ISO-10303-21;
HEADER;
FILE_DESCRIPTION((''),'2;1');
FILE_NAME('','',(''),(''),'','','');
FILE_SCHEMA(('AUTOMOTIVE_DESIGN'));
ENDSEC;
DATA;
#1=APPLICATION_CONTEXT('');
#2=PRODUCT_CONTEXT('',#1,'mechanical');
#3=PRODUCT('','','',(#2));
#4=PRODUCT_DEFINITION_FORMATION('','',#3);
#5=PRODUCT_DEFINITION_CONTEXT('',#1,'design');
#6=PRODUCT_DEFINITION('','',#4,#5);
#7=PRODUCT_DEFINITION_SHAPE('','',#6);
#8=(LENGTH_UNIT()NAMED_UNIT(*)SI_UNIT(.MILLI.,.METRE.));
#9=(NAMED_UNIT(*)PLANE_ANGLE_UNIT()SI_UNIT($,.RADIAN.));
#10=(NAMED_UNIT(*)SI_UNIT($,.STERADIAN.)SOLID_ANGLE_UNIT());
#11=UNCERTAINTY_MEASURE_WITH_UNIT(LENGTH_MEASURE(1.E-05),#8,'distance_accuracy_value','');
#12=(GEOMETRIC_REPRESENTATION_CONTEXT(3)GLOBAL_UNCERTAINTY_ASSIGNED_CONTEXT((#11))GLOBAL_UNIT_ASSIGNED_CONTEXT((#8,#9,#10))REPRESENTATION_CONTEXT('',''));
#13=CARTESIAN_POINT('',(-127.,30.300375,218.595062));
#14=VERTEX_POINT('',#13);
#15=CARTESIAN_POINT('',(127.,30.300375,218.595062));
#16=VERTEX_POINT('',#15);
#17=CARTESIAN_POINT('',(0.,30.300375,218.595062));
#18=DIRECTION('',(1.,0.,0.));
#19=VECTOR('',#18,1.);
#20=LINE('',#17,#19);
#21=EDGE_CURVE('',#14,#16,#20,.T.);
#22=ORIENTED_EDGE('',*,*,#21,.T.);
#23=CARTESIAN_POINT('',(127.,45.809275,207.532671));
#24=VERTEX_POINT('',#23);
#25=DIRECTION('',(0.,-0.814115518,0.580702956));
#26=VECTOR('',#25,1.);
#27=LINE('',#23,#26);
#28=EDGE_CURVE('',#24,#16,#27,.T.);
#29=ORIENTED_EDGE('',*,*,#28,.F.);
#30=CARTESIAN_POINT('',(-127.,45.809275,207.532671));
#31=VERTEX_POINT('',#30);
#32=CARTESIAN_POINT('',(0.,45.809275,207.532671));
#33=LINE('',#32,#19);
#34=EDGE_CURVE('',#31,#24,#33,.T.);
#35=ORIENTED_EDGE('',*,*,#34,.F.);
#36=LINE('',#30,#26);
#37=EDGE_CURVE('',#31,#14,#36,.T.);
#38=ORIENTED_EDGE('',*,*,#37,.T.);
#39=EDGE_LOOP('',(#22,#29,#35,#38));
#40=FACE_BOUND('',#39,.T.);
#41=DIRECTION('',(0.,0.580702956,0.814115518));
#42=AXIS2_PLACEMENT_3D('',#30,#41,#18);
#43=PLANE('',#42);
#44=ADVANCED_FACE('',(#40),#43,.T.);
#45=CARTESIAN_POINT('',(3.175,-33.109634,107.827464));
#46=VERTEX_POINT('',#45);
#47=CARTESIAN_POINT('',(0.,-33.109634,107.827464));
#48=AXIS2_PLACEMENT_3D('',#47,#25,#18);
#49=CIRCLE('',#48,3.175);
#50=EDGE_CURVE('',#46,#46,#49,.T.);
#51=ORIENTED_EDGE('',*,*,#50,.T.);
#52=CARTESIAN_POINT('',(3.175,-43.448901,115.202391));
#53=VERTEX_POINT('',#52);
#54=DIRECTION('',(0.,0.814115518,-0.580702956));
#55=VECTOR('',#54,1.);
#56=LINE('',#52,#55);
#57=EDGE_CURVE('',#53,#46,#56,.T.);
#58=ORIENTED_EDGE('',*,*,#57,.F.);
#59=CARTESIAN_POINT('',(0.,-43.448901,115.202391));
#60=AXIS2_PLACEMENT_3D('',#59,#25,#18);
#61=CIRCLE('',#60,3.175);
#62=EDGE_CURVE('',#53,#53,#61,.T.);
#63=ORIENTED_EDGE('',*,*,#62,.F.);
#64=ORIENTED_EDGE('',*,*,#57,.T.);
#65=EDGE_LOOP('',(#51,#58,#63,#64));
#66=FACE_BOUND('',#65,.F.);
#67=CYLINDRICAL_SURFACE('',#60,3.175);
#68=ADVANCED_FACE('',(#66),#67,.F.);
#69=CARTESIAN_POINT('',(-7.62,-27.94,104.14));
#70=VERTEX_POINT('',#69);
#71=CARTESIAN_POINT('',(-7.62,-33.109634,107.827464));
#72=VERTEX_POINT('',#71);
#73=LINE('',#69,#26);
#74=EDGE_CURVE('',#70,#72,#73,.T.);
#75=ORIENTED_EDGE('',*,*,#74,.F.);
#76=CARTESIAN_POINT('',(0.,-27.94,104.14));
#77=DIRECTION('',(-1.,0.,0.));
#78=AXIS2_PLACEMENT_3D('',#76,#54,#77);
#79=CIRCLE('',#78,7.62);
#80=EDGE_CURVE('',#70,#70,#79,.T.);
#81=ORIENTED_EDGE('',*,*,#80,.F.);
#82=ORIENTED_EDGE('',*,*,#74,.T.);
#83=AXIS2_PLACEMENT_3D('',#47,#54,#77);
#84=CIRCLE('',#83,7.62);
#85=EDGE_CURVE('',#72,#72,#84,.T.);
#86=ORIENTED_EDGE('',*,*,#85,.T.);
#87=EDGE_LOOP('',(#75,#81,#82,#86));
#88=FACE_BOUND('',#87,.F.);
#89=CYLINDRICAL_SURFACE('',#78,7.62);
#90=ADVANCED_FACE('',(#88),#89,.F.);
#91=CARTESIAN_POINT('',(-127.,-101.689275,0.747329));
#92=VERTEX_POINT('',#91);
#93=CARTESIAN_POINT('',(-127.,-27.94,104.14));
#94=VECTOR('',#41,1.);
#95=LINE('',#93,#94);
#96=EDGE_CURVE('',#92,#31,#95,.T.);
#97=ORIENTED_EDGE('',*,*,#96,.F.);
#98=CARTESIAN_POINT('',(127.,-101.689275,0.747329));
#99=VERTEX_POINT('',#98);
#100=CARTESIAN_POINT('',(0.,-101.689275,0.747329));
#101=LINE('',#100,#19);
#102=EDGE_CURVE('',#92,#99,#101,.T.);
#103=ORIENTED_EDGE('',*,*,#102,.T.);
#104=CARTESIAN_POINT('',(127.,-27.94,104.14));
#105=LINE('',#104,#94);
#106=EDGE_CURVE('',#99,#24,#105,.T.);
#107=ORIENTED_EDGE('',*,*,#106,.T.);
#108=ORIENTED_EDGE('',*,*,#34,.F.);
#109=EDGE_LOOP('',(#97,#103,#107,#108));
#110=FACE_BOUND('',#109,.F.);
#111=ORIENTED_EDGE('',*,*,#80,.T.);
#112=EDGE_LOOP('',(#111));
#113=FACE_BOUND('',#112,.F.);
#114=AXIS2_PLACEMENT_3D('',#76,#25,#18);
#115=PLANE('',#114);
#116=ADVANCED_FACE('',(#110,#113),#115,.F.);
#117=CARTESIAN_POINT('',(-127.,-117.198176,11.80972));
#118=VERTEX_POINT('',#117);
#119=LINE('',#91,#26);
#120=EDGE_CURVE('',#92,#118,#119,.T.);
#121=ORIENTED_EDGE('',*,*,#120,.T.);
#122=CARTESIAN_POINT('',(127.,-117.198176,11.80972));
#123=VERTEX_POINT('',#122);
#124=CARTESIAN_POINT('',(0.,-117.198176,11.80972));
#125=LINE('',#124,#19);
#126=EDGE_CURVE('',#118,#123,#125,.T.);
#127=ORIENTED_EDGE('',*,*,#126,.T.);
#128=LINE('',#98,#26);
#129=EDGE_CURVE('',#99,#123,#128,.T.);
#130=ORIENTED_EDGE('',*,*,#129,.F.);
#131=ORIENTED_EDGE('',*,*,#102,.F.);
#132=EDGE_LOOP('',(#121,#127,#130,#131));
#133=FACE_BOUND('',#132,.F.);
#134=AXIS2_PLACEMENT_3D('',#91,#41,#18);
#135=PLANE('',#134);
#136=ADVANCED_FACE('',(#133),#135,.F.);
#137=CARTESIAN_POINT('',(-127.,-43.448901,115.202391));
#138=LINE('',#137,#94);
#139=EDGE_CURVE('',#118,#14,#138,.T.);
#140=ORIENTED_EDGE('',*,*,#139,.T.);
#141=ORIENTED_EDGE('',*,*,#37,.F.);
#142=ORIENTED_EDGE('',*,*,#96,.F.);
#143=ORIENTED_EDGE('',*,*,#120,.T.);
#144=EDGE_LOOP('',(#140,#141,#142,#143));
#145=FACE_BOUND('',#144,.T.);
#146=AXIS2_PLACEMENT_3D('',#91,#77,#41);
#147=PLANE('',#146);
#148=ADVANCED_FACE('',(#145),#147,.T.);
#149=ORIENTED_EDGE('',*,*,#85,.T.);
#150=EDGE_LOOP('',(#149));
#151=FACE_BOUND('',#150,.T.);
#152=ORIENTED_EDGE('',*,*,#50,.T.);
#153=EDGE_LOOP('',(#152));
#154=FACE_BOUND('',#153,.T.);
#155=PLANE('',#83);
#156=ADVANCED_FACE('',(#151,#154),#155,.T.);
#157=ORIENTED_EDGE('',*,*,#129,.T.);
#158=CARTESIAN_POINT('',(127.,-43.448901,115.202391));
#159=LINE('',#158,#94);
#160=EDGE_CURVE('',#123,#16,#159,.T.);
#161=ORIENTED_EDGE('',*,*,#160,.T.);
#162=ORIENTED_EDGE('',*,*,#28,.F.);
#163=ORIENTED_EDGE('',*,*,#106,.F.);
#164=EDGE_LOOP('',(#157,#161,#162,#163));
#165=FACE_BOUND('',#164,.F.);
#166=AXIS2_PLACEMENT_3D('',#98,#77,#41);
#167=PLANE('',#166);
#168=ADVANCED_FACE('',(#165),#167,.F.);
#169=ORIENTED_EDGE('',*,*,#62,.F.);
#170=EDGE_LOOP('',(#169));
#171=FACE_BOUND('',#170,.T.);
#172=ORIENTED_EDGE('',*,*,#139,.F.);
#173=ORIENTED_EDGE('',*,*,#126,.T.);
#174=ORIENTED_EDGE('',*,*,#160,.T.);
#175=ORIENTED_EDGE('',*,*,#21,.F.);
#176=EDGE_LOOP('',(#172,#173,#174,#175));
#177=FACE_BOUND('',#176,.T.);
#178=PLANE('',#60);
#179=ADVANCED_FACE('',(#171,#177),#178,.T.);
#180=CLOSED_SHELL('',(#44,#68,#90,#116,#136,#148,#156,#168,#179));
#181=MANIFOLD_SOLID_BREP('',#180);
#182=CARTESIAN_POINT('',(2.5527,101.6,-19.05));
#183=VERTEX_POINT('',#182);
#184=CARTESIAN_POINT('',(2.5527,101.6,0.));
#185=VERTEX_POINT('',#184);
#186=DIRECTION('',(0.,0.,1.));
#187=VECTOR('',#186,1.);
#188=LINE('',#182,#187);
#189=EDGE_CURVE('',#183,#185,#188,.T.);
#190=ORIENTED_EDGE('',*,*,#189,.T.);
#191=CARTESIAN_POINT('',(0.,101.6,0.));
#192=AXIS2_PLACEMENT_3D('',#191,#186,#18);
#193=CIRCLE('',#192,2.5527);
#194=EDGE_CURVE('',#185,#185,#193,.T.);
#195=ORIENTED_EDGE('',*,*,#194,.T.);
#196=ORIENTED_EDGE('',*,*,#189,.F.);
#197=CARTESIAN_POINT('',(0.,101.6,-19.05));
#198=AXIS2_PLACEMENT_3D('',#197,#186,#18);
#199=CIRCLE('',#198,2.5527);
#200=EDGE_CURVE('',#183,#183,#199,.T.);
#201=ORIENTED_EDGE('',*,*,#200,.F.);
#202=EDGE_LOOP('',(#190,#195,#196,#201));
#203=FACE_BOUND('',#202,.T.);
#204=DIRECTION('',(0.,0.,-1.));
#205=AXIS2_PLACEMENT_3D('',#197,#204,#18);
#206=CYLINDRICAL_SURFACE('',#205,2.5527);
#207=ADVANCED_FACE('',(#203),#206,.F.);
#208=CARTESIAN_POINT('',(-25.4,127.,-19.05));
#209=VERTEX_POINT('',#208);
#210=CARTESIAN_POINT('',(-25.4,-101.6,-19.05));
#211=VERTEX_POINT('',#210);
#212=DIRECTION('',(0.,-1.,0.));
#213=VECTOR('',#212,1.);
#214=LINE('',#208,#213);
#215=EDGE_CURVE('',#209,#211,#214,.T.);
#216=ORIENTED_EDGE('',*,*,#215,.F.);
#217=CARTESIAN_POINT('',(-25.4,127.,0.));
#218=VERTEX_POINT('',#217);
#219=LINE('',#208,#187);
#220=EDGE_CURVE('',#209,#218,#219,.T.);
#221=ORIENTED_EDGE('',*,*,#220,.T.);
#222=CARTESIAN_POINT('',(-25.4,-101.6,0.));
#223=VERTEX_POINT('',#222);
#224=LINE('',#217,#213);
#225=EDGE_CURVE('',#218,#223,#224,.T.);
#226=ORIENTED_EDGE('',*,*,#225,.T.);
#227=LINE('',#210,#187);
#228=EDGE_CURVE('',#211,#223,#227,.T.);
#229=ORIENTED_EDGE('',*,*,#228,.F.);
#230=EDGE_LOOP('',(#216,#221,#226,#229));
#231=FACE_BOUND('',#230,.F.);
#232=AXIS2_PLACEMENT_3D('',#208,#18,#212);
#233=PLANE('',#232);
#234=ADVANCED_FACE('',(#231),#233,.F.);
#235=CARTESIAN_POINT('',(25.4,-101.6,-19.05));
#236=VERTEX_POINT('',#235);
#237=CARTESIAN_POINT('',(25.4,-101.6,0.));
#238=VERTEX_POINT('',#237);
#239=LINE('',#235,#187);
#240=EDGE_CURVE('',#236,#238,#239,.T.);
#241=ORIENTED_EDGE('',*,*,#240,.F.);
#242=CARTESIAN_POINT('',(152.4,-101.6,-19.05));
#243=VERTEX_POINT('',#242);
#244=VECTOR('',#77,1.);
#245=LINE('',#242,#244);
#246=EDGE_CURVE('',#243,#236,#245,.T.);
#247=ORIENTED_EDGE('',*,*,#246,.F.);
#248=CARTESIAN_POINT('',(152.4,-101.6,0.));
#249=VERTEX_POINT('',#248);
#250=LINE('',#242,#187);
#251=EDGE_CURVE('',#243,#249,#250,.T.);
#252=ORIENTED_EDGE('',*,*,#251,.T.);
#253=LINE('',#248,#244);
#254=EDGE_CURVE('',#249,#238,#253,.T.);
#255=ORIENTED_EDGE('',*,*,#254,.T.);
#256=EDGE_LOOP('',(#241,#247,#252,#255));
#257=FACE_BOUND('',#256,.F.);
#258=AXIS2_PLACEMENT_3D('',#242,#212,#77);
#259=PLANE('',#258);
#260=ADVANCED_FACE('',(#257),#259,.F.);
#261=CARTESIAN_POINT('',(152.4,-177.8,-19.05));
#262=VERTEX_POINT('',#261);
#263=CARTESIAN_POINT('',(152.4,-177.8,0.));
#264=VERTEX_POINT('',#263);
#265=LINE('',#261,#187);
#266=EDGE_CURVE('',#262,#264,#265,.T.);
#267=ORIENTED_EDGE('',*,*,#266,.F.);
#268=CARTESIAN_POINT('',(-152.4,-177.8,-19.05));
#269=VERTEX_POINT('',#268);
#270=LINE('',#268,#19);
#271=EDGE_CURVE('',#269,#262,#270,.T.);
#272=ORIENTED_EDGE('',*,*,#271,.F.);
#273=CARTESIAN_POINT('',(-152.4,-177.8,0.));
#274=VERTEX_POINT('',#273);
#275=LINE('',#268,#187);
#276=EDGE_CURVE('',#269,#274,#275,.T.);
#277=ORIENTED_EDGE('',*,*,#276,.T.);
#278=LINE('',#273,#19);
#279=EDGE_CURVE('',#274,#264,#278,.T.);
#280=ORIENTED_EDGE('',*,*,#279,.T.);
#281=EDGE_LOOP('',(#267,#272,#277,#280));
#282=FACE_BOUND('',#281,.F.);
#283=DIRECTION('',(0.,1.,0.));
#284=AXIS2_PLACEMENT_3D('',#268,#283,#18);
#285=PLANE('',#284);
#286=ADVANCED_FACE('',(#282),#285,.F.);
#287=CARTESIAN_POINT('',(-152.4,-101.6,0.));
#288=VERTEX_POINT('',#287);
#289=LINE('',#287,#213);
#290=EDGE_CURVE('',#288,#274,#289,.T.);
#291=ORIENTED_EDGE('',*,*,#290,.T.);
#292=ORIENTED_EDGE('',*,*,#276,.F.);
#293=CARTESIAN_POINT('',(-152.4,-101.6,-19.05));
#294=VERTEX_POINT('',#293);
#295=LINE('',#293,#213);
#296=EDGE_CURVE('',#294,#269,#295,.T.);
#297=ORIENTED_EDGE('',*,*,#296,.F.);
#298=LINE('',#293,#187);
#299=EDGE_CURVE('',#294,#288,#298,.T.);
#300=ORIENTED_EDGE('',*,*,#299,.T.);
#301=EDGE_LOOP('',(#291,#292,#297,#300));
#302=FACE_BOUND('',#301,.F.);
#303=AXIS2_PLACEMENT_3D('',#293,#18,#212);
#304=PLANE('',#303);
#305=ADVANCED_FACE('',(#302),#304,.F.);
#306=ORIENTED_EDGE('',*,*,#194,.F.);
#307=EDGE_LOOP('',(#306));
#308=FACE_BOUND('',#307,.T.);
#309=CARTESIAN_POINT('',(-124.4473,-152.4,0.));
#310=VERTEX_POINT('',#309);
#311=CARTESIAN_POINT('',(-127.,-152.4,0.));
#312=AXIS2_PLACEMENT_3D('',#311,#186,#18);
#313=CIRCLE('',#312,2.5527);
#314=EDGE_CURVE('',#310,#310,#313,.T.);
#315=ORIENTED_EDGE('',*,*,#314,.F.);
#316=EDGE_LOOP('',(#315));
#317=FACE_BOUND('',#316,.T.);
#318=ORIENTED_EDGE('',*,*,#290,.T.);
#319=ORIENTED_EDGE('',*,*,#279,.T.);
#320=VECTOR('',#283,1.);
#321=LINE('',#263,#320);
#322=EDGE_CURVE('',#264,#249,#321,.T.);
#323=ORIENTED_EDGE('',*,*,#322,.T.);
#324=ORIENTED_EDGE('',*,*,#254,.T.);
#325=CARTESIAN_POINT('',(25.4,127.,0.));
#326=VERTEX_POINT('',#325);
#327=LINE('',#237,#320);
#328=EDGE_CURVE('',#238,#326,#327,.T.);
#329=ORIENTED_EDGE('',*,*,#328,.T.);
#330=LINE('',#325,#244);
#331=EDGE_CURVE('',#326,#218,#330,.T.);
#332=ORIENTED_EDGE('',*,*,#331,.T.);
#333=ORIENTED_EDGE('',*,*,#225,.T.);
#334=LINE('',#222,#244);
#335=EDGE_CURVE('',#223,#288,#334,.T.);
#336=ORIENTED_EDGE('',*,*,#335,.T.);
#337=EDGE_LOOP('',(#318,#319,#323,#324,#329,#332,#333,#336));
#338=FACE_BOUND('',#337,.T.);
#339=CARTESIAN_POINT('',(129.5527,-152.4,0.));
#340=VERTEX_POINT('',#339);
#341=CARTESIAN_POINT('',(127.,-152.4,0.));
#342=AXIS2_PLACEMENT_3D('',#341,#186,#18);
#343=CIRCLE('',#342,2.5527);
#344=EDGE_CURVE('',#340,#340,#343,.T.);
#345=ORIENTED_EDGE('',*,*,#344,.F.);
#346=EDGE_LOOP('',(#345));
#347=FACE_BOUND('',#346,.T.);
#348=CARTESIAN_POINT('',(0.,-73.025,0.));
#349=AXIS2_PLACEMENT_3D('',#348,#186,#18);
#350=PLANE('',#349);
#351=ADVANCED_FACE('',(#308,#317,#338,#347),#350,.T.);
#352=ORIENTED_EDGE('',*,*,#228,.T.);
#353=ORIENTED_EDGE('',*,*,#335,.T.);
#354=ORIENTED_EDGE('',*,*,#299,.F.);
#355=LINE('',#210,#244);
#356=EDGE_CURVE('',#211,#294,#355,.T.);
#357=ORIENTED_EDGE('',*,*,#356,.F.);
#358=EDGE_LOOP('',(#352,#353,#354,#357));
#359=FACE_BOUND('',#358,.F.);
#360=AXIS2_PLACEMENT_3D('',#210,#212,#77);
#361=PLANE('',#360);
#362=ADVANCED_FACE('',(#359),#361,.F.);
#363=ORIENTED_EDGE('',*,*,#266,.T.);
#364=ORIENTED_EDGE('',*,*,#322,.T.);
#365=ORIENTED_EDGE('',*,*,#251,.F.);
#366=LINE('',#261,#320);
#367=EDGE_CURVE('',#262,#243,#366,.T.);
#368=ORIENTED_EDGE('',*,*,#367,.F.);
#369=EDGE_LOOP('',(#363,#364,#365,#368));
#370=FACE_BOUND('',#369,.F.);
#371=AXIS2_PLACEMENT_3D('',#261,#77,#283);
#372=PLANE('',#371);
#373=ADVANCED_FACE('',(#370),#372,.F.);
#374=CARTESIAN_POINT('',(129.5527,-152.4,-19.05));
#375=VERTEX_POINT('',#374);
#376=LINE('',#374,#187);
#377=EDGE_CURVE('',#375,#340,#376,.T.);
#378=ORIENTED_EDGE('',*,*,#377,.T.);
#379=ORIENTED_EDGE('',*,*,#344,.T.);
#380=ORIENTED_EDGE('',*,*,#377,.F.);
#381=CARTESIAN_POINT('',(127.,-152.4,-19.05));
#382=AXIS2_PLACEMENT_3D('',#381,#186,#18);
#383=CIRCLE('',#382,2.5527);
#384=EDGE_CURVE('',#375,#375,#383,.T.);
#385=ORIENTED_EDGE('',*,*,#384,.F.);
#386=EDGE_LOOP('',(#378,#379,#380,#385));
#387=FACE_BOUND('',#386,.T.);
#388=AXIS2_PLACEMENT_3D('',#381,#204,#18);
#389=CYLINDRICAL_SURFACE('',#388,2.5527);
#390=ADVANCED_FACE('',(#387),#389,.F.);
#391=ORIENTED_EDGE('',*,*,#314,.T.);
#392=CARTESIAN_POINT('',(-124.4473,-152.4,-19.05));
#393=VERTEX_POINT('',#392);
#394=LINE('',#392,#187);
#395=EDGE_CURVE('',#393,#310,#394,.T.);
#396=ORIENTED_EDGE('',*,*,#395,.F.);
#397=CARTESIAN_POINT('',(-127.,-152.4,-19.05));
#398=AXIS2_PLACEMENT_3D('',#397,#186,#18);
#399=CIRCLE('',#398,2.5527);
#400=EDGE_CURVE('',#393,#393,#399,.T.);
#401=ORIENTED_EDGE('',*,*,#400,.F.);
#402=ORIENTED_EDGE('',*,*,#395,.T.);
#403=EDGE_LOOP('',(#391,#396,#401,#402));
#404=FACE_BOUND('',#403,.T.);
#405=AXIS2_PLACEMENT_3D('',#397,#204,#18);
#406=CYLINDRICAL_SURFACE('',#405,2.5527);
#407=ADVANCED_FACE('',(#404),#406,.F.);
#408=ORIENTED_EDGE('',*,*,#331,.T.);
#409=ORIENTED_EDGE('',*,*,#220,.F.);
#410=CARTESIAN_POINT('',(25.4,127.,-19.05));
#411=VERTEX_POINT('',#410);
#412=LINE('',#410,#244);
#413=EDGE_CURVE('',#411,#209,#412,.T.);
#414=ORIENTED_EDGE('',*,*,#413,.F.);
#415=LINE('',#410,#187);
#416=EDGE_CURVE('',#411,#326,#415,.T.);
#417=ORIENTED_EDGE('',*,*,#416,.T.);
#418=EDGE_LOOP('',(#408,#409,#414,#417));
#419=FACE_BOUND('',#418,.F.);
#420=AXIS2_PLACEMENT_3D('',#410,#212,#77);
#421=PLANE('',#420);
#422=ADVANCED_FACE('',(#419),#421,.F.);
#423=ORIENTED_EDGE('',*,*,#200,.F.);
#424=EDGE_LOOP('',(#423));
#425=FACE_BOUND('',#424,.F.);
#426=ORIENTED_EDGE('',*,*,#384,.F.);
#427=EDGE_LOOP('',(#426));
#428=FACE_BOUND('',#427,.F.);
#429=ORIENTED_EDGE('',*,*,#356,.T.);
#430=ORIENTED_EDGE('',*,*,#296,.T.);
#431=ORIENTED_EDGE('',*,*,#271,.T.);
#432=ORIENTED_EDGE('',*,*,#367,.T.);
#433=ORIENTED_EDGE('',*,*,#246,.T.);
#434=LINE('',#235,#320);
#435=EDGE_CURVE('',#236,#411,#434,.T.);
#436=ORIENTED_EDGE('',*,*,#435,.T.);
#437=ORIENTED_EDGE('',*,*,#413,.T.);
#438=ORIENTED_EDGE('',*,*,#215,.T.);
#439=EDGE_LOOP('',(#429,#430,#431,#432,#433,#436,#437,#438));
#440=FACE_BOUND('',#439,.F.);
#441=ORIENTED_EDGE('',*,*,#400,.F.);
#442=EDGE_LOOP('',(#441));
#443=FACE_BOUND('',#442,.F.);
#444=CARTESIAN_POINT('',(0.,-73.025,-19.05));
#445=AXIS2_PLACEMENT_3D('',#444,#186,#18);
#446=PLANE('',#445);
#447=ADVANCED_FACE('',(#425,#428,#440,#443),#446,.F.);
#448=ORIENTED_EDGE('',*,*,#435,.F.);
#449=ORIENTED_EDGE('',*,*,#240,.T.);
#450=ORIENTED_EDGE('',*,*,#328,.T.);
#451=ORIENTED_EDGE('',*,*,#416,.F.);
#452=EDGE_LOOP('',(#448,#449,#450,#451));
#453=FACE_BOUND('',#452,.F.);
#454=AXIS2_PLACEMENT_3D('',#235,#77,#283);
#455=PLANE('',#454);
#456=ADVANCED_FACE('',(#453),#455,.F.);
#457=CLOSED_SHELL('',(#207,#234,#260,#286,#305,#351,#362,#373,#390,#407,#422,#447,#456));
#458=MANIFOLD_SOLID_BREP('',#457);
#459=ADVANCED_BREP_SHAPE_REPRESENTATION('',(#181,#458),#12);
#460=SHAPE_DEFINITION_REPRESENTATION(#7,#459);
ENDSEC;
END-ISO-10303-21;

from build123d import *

# Parameters (mm, degrees)
SKETCH_W        = 254
SKETCH_H        = 254
PAD_DEPTH       = 19.05
SKETCH003_R     = 3.175
POCKET_DEPTH    = 139.1318591011
SKETCH004_R     = 7.62
POCKET001_DEPTH = 6.35
SKETCH002_R     = 2.5527
PAD001_DEPTH    = 19.05


with BuildPart() as bodyplatform:
    # Sketch → Pad (new body)
    with BuildSketch(Plane(origin=(0, -27.94, 104.14), x_dir=(1, 0, 0), z_dir=(0, -0.8141155184, 0.5807029557))):
        Rectangle(SKETCH_W, SKETCH_H)
    extrude(amount=PAD_DEPTH)

    # Sketch003 (on Face6 of Pad) → Pocket (cut, through all)
    with BuildSketch(Plane(origin=(0, -83.2602399739, 59.3889520048), x_dir=(1, 0, 0), z_dir=(0, -0.8141155184, 0.5807029557))):
        with Locations((0, 68.5571494991)):
            Circle(SKETCH003_R)
    extrude(amount=-POCKET_DEPTH, mode=Mode.SUBTRACT)

    # Sketch004 (on Face4 of Pocket) → Pocket001 (cut)
    with BuildSketch(Plane(origin=(0, -67.7513393492, 48.3265606985), x_dir=(-1, 0, 0), z_dir=(0, 0.8141155184, -0.5807029557))):
        with Locations((0, 68.5571494991)):
            Circle(SKETCH004_R)
    extrude(amount=-POCKET001_DEPTH, mode=Mode.SUBTRACT)


with BuildPart() as bodyfeet:
    # Sketch002 → Pad001 (new body)
    with BuildSketch(Plane.XY.offset(-19.05)):
        Polygon((-152.4, -177.8), (152.4, -177.8), (152.4, -101.6), (25.4, -101.6), (25.4, 127), (-25.4, 127), (-25.4, -101.6), (-152.4, -101.6), align=None)
        with Locations((-127, -152.4)):
            Circle(SKETCH002_R, mode=Mode.SUBTRACT)
        with Locations((127, -152.4)):
            Circle(SKETCH002_R, mode=Mode.SUBTRACT)
        with Locations((0, 101.6)):
            Circle(SKETCH002_R, mode=Mode.SUBTRACT)
    extrude(amount=PAD001_DEPTH)


solid = Compound([bodyplatform.part, bodyfeet.part])
